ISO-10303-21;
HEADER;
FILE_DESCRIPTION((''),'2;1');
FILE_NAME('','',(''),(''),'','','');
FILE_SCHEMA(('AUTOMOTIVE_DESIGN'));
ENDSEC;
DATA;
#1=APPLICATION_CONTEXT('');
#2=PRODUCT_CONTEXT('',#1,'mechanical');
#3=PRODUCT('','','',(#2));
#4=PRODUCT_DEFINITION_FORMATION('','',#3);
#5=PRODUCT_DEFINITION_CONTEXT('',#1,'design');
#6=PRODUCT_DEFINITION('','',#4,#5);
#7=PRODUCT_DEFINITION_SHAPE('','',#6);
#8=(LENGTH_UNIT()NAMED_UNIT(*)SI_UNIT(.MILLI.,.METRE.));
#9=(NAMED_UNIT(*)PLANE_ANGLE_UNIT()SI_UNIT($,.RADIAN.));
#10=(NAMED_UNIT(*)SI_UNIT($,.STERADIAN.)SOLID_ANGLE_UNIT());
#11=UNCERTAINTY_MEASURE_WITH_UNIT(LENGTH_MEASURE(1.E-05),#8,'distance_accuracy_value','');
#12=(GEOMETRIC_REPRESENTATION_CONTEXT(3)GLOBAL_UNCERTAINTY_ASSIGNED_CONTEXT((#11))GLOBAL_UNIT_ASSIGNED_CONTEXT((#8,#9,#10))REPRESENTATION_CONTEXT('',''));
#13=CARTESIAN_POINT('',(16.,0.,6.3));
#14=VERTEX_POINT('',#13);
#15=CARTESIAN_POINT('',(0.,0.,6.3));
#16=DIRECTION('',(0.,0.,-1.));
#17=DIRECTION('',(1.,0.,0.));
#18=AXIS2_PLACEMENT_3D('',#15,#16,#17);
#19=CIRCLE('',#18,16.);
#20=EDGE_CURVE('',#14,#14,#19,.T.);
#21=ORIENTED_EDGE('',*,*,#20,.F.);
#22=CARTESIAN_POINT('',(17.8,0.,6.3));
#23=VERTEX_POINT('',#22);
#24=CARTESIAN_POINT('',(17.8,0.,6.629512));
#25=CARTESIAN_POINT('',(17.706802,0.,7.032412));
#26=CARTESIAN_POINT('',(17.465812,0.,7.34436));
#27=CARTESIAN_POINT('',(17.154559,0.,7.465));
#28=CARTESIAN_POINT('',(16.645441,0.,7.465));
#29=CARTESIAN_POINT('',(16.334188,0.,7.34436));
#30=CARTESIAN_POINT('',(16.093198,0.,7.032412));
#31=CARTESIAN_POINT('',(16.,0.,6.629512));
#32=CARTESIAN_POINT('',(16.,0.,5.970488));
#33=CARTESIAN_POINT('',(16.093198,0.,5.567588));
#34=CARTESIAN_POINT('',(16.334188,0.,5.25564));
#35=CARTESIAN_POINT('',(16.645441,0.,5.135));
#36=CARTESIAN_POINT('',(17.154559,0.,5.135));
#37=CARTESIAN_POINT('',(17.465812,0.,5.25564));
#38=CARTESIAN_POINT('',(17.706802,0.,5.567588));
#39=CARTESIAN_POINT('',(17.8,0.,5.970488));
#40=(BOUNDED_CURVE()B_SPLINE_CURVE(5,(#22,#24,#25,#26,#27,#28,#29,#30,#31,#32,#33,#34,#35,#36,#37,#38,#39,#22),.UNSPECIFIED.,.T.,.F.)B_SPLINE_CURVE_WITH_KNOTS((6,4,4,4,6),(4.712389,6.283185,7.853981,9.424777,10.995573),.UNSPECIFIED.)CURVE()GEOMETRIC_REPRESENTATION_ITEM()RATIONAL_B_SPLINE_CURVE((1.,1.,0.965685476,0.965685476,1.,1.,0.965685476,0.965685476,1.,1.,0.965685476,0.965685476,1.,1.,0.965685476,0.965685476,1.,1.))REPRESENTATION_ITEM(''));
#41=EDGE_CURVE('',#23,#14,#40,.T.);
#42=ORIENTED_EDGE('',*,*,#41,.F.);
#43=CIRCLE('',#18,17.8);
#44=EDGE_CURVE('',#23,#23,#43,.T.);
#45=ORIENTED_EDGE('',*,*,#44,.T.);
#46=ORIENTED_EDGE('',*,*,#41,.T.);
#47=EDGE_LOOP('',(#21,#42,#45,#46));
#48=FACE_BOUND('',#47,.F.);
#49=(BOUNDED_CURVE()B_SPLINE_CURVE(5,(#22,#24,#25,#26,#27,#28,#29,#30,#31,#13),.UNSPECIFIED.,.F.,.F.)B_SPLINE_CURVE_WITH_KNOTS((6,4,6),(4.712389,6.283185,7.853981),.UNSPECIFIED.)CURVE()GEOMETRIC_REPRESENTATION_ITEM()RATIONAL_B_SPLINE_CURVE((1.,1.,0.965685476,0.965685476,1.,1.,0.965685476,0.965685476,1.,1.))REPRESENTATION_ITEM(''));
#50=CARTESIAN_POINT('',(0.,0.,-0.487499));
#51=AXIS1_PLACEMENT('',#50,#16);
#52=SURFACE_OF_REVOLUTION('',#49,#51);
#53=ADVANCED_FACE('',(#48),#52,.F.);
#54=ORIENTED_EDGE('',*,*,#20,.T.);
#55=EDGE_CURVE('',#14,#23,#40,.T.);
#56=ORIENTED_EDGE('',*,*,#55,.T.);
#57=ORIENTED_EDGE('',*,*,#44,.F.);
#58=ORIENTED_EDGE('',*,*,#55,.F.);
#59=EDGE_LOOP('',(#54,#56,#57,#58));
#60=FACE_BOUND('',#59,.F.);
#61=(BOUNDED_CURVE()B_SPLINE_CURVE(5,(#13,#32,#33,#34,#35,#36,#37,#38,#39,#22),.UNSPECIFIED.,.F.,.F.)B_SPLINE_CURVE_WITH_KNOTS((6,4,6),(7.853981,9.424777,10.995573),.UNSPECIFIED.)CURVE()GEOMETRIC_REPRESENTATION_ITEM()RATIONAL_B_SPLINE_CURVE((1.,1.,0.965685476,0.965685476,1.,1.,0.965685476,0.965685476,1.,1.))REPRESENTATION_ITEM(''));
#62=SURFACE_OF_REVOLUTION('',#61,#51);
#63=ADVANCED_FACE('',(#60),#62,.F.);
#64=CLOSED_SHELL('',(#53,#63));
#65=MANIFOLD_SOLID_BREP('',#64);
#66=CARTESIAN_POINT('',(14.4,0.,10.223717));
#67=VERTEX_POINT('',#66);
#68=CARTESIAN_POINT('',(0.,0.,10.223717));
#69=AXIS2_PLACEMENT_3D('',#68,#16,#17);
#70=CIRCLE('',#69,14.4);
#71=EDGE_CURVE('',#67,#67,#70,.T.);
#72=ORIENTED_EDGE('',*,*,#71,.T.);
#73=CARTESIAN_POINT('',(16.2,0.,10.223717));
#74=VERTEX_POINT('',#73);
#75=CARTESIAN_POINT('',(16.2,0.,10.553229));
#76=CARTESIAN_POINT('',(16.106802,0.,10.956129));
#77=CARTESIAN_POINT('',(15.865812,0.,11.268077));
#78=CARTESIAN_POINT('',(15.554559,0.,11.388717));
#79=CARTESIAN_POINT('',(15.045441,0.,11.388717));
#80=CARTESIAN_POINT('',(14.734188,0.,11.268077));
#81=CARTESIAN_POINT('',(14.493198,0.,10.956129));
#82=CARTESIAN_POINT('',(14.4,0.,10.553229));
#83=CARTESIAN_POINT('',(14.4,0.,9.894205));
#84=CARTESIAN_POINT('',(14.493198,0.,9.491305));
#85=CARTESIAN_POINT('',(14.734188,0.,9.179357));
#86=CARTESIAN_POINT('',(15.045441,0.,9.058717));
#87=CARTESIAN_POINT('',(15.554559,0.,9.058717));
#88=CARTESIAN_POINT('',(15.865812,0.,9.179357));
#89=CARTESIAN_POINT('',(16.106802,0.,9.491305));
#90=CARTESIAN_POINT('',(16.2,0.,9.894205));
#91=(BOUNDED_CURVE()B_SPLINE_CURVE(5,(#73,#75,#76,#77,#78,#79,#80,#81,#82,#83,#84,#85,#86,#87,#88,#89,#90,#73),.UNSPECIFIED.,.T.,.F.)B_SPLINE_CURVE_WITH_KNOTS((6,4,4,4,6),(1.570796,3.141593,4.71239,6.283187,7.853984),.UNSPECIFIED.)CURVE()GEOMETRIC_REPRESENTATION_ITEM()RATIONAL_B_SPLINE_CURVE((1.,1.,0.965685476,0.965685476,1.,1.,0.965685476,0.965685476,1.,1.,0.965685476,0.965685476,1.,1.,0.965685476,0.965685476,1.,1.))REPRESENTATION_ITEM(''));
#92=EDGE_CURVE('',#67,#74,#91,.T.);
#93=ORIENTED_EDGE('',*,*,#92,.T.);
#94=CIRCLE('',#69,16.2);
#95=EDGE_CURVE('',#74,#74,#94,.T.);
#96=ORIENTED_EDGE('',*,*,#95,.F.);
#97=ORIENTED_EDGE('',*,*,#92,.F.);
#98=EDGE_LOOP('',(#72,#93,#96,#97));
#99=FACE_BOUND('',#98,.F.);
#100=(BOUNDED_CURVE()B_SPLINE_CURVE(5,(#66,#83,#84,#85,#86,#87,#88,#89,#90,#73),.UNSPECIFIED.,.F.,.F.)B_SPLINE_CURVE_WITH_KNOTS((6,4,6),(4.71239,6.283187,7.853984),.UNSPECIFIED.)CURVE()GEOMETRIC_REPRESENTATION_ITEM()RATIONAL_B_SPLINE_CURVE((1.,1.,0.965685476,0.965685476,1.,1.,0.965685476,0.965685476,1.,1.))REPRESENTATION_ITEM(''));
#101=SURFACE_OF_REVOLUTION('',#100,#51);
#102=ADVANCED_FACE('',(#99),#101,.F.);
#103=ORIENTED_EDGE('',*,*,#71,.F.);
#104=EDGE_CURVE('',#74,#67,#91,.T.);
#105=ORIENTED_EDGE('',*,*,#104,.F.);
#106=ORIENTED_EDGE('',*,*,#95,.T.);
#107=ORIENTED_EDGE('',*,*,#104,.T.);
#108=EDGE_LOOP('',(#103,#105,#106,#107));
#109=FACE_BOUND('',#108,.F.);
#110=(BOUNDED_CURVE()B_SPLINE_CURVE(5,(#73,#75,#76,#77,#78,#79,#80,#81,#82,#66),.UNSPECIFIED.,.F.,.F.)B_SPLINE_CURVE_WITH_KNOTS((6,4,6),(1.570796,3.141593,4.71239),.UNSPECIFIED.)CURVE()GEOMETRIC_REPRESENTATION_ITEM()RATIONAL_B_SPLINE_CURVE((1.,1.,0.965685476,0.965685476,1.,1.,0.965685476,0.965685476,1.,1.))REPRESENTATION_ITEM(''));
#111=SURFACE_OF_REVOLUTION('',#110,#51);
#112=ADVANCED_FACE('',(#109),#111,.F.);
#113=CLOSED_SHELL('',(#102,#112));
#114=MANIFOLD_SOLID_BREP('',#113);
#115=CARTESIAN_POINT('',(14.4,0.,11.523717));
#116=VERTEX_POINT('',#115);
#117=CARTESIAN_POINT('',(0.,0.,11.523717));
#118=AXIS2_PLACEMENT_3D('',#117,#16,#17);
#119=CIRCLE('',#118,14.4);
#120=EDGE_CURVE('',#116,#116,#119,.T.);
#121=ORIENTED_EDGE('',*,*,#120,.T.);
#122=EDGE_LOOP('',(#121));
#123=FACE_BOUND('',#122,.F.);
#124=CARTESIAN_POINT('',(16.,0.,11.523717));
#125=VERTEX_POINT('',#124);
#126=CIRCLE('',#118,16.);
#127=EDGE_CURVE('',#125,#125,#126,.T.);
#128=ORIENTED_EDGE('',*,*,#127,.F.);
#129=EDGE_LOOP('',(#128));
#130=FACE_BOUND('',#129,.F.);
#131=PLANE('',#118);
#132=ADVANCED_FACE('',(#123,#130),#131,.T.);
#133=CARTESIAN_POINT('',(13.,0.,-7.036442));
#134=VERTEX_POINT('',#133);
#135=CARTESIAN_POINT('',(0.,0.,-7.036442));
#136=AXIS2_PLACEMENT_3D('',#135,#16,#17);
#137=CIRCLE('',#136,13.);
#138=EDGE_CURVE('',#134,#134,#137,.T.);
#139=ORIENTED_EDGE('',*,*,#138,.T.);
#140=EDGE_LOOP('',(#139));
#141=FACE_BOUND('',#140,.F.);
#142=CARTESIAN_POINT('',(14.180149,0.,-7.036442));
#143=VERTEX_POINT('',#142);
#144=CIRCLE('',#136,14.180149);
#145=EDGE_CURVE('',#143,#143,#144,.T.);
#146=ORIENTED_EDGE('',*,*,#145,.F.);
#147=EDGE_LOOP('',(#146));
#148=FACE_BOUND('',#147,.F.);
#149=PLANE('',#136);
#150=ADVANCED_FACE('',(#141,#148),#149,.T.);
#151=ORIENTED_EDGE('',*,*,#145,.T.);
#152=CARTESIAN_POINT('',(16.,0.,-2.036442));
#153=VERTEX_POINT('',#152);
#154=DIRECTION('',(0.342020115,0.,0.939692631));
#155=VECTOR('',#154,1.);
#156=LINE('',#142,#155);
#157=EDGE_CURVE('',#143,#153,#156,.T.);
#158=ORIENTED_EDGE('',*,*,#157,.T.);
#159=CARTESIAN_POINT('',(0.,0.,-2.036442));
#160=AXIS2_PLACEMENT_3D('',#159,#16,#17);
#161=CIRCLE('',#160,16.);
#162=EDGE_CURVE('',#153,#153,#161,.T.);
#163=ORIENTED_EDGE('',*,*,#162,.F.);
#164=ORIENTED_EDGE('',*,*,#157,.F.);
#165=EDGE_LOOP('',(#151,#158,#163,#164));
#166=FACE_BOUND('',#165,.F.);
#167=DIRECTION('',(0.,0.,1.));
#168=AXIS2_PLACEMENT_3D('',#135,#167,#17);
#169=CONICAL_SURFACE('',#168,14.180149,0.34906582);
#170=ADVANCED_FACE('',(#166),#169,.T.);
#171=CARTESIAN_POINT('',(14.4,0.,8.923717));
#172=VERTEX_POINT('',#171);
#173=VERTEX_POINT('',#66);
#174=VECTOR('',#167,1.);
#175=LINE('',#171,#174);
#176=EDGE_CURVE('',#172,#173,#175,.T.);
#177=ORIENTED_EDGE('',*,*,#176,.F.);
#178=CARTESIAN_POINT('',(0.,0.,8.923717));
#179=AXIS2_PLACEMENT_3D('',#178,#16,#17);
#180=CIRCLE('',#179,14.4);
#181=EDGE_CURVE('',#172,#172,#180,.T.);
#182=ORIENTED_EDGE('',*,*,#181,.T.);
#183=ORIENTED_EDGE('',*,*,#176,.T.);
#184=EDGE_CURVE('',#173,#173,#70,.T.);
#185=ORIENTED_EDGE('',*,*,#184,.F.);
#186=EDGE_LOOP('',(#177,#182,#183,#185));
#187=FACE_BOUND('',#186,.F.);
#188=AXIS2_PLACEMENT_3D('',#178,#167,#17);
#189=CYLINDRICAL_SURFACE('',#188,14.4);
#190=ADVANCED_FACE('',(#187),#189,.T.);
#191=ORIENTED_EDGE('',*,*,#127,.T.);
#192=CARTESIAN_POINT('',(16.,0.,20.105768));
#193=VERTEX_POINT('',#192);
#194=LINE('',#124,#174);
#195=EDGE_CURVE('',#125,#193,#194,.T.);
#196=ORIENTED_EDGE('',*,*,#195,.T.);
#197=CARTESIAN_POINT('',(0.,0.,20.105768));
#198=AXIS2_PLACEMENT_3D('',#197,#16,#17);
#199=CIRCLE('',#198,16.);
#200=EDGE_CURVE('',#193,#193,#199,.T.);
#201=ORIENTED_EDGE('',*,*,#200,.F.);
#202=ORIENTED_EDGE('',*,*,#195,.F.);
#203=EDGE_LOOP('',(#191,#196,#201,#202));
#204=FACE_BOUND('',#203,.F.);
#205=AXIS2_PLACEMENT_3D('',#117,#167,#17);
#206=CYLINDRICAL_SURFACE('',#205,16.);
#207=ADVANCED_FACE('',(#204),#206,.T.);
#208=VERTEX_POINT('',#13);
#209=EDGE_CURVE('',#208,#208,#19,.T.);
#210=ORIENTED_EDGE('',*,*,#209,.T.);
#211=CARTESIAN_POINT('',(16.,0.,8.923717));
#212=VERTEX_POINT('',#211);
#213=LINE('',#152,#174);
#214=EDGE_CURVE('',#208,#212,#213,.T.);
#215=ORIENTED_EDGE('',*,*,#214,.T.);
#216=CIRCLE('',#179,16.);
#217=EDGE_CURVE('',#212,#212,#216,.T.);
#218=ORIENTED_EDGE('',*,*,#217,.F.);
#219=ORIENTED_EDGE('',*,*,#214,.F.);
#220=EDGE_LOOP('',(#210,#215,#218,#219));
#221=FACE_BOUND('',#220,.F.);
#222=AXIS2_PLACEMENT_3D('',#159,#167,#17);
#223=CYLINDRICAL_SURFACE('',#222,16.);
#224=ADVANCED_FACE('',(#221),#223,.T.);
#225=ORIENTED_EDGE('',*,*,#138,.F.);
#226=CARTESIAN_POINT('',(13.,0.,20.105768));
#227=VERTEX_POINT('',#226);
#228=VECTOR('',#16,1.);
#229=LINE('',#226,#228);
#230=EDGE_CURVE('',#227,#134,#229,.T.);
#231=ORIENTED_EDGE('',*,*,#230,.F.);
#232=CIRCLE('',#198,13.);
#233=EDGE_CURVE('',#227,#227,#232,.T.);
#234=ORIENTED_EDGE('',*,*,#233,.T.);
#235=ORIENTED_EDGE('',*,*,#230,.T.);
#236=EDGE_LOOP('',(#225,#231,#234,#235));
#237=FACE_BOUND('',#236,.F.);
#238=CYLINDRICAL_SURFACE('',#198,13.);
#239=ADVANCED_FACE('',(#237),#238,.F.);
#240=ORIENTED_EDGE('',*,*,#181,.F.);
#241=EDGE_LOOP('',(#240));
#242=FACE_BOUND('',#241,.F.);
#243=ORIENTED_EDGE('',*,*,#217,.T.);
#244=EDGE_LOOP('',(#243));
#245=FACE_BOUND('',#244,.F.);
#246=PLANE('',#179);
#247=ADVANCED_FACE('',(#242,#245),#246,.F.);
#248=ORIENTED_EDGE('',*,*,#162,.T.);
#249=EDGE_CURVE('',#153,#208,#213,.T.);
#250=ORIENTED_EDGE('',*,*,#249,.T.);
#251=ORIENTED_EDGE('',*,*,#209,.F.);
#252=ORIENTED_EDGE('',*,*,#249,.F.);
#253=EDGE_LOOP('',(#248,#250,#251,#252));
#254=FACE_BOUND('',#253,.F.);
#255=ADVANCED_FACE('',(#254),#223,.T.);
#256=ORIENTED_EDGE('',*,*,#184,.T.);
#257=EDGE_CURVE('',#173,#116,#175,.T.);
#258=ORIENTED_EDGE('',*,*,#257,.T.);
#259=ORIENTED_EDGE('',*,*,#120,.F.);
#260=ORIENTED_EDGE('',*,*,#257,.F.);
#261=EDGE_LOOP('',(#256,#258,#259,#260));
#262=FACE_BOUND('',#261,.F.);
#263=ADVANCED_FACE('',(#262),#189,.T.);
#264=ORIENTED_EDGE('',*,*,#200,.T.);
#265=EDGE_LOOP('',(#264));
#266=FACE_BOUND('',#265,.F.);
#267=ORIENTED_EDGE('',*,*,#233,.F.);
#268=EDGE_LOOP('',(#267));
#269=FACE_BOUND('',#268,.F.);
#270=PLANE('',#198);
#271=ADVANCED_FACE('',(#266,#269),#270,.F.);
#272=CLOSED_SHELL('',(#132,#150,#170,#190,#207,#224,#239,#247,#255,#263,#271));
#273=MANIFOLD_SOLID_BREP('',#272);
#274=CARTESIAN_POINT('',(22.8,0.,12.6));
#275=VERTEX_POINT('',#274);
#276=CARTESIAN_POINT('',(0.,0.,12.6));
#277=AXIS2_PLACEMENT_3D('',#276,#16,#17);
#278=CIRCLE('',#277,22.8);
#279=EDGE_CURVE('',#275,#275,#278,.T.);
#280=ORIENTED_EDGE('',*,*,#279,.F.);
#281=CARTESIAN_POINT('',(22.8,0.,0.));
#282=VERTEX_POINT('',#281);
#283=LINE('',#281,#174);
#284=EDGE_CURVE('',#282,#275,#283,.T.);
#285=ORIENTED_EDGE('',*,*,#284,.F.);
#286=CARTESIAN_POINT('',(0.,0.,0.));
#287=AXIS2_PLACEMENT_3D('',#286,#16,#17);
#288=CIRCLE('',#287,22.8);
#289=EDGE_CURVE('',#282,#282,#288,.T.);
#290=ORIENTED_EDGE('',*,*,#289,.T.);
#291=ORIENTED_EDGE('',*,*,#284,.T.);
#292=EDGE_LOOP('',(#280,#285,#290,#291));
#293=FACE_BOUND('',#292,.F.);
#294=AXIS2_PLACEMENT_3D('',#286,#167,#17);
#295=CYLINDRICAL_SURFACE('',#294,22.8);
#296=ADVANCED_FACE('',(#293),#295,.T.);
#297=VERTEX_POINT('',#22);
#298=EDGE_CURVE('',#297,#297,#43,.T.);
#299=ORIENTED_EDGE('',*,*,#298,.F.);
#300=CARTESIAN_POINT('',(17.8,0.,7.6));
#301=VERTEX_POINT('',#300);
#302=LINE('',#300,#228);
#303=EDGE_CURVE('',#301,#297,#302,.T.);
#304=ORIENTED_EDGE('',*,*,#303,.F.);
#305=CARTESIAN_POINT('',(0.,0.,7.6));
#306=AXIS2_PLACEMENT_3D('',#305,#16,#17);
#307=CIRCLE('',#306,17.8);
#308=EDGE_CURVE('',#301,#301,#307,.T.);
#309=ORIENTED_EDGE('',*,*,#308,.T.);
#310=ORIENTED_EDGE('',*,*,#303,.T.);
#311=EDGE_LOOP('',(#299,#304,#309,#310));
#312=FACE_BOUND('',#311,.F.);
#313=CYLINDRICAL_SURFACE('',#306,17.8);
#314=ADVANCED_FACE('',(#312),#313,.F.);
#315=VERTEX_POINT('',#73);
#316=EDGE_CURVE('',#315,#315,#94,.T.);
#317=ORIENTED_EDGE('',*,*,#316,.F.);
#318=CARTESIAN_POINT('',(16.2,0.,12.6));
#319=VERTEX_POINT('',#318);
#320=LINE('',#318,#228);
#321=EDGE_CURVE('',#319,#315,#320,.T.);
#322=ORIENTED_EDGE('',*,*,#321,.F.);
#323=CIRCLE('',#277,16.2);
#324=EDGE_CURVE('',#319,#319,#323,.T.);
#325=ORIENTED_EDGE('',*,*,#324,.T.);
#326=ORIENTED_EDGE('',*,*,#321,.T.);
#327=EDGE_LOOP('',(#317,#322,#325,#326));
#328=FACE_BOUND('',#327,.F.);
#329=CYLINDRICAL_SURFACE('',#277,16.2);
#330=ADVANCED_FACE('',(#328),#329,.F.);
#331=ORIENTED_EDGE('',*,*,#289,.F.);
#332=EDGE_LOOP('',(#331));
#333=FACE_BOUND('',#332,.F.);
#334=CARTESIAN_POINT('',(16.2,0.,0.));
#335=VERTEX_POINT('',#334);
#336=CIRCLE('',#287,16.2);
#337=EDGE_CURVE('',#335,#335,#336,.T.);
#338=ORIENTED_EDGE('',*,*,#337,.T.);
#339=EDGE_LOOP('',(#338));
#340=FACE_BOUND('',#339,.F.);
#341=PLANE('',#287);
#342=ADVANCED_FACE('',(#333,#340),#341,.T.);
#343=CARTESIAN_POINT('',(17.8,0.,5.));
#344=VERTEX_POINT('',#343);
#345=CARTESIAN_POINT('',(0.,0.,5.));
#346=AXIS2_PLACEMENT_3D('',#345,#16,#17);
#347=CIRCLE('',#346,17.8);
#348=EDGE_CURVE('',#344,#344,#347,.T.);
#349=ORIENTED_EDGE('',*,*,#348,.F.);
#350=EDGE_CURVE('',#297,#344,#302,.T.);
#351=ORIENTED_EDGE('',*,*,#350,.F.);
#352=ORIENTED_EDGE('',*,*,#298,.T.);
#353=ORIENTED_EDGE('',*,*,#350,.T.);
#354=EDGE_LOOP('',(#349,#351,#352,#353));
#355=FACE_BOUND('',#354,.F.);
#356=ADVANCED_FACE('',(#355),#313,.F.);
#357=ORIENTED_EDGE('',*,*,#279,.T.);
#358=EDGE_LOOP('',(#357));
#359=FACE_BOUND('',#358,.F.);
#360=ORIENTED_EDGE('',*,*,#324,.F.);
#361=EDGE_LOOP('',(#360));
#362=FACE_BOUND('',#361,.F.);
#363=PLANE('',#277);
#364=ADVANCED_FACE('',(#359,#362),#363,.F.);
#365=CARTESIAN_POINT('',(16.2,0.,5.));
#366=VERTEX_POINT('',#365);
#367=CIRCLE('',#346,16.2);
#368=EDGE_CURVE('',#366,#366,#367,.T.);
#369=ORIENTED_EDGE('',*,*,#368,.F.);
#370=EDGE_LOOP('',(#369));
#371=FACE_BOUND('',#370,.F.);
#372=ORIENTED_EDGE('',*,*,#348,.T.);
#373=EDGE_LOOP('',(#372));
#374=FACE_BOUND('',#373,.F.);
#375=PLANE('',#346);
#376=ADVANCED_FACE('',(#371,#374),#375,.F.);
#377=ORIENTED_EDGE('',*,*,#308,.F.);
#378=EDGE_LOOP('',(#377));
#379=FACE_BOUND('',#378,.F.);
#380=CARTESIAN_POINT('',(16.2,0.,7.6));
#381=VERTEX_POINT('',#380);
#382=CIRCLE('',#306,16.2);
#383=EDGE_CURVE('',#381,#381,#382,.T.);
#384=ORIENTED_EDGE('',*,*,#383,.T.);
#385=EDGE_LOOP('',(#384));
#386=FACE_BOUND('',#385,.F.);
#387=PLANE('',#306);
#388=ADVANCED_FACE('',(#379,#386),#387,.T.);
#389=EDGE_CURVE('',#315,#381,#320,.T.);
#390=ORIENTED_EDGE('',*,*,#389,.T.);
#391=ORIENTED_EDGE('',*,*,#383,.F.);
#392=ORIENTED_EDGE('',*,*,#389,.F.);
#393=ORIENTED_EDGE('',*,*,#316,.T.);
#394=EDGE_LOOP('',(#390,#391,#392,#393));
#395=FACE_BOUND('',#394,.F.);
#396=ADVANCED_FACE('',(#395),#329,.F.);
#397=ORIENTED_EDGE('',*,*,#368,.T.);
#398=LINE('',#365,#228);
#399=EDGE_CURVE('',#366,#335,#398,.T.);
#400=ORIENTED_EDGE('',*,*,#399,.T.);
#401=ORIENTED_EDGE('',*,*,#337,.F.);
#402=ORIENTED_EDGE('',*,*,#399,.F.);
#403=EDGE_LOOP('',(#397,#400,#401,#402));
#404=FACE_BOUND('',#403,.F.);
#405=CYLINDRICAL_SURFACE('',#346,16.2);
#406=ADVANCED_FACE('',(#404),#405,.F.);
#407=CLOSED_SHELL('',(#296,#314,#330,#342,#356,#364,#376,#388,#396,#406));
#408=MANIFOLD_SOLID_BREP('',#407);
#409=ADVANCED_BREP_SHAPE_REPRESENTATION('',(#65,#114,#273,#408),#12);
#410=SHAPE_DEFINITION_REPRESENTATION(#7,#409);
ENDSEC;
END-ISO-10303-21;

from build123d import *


with BuildPart() as f1:
    # F0 (on Front) → F1 (revolve)
    with BuildSketch(Plane.XZ):
        Polygon((16.2, 5), (16.2, 0), (22.8, 0), (22.8, 12.6), (16.2, 12.6), (16.2, 10.223717), (16.2, 7.6), (17.8, 7.6), (17.8, 6.3), (17.8, 5), align=None)
        Polygon((16, -2.036442), (16, 6.3), (16, 8.923717), (14.4, 8.923717), (14.4, 10.223717), (14.4, 11.523717), (16, 11.523717), (16, 20.105768), (13, 20.105768), (13, -7.036442), (14.180149, -7.036442), align=None)
        with BuildLine():
            add(Edge.make_bspline(
                [(16, 6.3), (16, 5.135), (16.9, 5.135), (17.8, 5.135), (17.8, 6.3)],
                knots=[1.570796, 1.570796, 1.570796, 3.141593, 3.141593, 4.712389, 4.712389, 4.712389], degree=2, weights=[1, 0.707107, 1, 0.707107, 1]))
            add(Edge.make_bspline(
                [(17.8, 6.3), (17.8, 7.465), (16.9, 7.465), (16, 7.465), (16, 6.3)],
                knots=[4.712389, 4.712389, 4.712389, 6.283185, 6.283185, 7.853982, 7.853982, 7.853982], degree=2, weights=[1, 0.707107, 1, 0.707107, 1]))
        make_face()
        with BuildLine():
            add(Edge.make_bspline(
                [(14.4, 10.223717), (14.4, 9.058717), (15.3, 9.058717), (16.2, 9.058717), (16.2, 10.223717)],
                knots=[4.712389, 4.712389, 4.712389, 6.283185, 6.283185, 7.853982, 7.853982, 7.853982], degree=2, weights=[1, 0.707107, 1, 0.707107, 1]))
            add(Edge.make_bspline(
                [(16.2, 10.223717), (16.2, 11.388717), (15.3, 11.388717), (14.4, 11.388717), (14.4, 10.223717)],
                knots=[1.570796, 1.570796, 1.570796, 3.141593, 3.141593, 4.712389, 4.712389, 4.712389], degree=2, weights=[1, 0.707107, 1, 0.707107, 1]))
        make_face()
    revolve(axis=Axis((0, 0, -0.487499), (0, 0, -1)))


solid = f1.part
